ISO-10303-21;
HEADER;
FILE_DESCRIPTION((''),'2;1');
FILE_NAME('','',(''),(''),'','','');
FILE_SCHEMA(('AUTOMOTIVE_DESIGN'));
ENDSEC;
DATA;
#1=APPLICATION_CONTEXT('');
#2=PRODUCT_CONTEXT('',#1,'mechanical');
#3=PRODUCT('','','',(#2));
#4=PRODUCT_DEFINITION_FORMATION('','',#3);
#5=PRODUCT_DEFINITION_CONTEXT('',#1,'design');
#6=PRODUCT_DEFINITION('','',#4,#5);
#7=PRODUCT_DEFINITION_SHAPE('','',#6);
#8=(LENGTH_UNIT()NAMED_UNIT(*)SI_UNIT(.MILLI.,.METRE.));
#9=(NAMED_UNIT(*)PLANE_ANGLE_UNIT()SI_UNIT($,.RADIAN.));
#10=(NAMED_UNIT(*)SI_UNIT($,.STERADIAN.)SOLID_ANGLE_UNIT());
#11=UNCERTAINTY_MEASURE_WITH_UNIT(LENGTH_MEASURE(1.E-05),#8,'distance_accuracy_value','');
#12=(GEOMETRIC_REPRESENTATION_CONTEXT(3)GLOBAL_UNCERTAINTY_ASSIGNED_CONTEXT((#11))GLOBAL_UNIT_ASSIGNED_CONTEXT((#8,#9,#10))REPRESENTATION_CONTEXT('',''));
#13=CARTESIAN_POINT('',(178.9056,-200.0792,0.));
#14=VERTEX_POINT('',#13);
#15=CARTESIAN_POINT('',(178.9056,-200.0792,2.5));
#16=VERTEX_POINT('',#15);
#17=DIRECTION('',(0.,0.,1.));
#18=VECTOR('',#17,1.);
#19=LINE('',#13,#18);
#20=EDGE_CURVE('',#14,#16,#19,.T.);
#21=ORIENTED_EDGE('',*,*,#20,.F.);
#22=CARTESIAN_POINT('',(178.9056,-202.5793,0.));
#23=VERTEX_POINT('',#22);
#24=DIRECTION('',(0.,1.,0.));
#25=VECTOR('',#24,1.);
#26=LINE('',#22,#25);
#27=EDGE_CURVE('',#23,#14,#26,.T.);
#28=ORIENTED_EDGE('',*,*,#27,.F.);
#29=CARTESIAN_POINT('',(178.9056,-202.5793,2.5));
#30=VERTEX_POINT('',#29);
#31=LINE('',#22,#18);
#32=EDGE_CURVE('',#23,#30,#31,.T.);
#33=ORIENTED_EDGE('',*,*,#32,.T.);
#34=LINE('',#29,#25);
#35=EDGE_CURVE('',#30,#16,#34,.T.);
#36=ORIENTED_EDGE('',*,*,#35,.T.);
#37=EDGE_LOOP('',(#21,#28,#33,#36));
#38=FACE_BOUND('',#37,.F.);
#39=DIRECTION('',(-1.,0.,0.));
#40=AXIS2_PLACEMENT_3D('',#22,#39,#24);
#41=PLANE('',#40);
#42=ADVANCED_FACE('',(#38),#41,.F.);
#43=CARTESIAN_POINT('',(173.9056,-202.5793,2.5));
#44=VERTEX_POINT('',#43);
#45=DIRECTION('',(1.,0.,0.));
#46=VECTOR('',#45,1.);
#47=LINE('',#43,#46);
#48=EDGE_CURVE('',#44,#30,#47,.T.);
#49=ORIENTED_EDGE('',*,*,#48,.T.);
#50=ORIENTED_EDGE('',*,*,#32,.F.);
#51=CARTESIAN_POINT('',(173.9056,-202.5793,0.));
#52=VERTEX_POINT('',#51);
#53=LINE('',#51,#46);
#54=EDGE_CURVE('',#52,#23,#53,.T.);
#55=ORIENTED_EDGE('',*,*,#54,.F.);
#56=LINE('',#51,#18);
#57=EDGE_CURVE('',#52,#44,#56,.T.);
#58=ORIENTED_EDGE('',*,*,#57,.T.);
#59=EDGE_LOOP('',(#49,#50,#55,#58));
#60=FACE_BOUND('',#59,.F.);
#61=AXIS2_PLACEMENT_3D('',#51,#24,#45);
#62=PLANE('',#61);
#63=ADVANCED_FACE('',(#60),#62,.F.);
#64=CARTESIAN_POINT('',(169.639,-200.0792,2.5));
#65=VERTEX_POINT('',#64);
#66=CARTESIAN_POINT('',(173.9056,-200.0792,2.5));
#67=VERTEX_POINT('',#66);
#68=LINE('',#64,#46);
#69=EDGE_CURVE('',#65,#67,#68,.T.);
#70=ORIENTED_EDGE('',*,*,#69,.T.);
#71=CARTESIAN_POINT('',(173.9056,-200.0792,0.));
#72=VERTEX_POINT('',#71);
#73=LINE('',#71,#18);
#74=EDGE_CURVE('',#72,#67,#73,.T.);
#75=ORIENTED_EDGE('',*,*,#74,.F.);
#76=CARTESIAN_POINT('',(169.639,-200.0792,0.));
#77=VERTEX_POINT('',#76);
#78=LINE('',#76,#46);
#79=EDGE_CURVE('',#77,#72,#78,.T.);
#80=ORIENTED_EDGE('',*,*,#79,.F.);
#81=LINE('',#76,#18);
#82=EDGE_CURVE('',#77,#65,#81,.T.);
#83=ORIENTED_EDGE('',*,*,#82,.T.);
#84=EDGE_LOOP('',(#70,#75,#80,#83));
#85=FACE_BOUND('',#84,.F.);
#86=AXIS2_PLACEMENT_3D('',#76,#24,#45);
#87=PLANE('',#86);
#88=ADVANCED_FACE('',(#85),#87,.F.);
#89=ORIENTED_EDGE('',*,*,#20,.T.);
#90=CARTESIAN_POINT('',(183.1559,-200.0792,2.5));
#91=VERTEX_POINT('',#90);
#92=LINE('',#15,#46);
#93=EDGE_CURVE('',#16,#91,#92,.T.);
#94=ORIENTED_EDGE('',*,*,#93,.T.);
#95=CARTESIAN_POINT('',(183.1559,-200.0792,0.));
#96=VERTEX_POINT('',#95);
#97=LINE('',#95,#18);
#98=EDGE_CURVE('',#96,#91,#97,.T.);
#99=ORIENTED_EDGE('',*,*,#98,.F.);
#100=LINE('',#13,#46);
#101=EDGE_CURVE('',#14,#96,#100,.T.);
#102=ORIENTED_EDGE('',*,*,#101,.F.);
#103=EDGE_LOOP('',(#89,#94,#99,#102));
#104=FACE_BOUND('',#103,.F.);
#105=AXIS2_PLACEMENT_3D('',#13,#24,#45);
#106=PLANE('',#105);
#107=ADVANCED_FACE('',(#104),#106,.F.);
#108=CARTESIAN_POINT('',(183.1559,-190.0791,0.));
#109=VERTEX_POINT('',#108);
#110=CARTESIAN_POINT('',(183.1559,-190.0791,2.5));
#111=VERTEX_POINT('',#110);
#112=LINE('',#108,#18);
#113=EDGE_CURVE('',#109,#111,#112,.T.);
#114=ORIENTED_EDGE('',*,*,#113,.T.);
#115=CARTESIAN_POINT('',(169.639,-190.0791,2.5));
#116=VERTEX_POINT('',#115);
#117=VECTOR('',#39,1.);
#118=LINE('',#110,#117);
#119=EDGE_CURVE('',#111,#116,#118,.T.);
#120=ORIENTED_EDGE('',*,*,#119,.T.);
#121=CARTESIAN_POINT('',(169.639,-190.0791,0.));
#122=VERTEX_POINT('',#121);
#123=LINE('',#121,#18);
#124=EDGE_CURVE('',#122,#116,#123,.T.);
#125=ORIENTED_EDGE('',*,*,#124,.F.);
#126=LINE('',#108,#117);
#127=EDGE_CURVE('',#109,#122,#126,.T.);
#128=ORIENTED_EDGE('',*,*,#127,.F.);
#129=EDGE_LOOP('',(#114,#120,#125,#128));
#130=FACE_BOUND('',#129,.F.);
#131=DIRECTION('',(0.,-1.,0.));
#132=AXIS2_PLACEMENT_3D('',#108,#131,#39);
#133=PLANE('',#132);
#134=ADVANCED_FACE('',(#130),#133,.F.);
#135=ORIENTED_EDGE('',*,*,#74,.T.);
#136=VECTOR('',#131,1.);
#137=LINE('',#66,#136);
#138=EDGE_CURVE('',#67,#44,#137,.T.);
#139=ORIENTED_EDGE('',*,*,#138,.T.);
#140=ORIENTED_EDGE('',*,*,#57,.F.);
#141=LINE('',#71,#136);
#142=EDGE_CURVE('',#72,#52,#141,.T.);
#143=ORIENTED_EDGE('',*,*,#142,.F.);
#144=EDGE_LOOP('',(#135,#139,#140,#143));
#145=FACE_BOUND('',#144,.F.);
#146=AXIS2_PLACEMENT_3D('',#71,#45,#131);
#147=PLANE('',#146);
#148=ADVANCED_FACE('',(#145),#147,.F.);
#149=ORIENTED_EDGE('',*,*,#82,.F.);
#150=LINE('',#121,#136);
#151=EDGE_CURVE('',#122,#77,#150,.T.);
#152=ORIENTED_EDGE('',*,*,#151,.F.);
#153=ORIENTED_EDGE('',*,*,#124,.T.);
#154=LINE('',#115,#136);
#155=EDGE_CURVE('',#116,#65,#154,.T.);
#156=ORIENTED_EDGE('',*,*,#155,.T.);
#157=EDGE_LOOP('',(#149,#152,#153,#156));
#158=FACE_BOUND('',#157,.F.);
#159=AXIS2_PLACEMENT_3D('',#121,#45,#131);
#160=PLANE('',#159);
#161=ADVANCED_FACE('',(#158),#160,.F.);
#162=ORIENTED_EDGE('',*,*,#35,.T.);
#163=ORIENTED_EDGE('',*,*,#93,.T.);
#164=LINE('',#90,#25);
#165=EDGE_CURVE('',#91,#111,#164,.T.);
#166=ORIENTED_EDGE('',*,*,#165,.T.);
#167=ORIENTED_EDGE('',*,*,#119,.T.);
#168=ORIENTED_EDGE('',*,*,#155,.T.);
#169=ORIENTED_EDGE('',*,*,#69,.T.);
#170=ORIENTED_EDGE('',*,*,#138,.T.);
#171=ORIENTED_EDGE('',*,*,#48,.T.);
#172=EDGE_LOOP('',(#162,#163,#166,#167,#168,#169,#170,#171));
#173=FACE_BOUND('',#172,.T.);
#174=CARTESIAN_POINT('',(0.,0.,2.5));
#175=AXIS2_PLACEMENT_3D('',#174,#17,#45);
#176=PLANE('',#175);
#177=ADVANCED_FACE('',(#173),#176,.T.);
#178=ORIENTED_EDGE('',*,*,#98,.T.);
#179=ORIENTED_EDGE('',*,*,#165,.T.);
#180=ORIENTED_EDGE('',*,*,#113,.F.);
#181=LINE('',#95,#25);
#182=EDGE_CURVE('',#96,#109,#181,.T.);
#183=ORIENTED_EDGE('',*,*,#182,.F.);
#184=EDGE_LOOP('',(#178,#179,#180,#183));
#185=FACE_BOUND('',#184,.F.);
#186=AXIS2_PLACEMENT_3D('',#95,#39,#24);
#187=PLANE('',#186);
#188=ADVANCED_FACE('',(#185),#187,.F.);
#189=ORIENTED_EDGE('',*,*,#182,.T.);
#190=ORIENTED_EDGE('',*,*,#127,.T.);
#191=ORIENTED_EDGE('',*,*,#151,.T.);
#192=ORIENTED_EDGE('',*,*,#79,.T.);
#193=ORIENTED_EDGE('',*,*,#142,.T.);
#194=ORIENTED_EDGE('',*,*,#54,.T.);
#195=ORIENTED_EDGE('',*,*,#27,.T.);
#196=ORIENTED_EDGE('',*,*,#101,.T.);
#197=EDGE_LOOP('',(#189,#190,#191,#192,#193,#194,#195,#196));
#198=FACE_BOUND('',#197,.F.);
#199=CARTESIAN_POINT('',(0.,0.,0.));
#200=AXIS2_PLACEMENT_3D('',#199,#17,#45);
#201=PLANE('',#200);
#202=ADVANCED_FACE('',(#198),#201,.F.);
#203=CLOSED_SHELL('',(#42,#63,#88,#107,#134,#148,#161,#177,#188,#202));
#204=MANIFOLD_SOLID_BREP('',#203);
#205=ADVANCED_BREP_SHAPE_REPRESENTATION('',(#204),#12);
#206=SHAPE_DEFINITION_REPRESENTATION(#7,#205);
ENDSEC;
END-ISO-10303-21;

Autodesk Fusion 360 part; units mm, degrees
sketch "スケッチ1" plane through (0, 0, 0) normal (0, 0, 1) x (1, 0, 0)
  line L0 (173.9056, -200.0792) -> (173.9056, -202.5793)
  line L1 (183.1559, -190.0791) -> (169.639, -190.0791)
  line L2 (169.639, -200.0792) -> (173.9056, -200.0792)
  line L3 (178.9056, -202.5793) -> (178.9056, -200.0792)
  line L4 (178.9056, -200.0792) -> (183.1559, -200.0792)
  line L5 (169.639, -190.0791) -> (169.639, -200.0792)
  line L6 (173.9056, -202.5793) -> (178.9056, -202.5793)
  line L7 (183.1559, -200.0792) -> (183.1559, -190.0791)
extrude "押し出し1" add sketch "スケッチ1" along normal blind 2.5
